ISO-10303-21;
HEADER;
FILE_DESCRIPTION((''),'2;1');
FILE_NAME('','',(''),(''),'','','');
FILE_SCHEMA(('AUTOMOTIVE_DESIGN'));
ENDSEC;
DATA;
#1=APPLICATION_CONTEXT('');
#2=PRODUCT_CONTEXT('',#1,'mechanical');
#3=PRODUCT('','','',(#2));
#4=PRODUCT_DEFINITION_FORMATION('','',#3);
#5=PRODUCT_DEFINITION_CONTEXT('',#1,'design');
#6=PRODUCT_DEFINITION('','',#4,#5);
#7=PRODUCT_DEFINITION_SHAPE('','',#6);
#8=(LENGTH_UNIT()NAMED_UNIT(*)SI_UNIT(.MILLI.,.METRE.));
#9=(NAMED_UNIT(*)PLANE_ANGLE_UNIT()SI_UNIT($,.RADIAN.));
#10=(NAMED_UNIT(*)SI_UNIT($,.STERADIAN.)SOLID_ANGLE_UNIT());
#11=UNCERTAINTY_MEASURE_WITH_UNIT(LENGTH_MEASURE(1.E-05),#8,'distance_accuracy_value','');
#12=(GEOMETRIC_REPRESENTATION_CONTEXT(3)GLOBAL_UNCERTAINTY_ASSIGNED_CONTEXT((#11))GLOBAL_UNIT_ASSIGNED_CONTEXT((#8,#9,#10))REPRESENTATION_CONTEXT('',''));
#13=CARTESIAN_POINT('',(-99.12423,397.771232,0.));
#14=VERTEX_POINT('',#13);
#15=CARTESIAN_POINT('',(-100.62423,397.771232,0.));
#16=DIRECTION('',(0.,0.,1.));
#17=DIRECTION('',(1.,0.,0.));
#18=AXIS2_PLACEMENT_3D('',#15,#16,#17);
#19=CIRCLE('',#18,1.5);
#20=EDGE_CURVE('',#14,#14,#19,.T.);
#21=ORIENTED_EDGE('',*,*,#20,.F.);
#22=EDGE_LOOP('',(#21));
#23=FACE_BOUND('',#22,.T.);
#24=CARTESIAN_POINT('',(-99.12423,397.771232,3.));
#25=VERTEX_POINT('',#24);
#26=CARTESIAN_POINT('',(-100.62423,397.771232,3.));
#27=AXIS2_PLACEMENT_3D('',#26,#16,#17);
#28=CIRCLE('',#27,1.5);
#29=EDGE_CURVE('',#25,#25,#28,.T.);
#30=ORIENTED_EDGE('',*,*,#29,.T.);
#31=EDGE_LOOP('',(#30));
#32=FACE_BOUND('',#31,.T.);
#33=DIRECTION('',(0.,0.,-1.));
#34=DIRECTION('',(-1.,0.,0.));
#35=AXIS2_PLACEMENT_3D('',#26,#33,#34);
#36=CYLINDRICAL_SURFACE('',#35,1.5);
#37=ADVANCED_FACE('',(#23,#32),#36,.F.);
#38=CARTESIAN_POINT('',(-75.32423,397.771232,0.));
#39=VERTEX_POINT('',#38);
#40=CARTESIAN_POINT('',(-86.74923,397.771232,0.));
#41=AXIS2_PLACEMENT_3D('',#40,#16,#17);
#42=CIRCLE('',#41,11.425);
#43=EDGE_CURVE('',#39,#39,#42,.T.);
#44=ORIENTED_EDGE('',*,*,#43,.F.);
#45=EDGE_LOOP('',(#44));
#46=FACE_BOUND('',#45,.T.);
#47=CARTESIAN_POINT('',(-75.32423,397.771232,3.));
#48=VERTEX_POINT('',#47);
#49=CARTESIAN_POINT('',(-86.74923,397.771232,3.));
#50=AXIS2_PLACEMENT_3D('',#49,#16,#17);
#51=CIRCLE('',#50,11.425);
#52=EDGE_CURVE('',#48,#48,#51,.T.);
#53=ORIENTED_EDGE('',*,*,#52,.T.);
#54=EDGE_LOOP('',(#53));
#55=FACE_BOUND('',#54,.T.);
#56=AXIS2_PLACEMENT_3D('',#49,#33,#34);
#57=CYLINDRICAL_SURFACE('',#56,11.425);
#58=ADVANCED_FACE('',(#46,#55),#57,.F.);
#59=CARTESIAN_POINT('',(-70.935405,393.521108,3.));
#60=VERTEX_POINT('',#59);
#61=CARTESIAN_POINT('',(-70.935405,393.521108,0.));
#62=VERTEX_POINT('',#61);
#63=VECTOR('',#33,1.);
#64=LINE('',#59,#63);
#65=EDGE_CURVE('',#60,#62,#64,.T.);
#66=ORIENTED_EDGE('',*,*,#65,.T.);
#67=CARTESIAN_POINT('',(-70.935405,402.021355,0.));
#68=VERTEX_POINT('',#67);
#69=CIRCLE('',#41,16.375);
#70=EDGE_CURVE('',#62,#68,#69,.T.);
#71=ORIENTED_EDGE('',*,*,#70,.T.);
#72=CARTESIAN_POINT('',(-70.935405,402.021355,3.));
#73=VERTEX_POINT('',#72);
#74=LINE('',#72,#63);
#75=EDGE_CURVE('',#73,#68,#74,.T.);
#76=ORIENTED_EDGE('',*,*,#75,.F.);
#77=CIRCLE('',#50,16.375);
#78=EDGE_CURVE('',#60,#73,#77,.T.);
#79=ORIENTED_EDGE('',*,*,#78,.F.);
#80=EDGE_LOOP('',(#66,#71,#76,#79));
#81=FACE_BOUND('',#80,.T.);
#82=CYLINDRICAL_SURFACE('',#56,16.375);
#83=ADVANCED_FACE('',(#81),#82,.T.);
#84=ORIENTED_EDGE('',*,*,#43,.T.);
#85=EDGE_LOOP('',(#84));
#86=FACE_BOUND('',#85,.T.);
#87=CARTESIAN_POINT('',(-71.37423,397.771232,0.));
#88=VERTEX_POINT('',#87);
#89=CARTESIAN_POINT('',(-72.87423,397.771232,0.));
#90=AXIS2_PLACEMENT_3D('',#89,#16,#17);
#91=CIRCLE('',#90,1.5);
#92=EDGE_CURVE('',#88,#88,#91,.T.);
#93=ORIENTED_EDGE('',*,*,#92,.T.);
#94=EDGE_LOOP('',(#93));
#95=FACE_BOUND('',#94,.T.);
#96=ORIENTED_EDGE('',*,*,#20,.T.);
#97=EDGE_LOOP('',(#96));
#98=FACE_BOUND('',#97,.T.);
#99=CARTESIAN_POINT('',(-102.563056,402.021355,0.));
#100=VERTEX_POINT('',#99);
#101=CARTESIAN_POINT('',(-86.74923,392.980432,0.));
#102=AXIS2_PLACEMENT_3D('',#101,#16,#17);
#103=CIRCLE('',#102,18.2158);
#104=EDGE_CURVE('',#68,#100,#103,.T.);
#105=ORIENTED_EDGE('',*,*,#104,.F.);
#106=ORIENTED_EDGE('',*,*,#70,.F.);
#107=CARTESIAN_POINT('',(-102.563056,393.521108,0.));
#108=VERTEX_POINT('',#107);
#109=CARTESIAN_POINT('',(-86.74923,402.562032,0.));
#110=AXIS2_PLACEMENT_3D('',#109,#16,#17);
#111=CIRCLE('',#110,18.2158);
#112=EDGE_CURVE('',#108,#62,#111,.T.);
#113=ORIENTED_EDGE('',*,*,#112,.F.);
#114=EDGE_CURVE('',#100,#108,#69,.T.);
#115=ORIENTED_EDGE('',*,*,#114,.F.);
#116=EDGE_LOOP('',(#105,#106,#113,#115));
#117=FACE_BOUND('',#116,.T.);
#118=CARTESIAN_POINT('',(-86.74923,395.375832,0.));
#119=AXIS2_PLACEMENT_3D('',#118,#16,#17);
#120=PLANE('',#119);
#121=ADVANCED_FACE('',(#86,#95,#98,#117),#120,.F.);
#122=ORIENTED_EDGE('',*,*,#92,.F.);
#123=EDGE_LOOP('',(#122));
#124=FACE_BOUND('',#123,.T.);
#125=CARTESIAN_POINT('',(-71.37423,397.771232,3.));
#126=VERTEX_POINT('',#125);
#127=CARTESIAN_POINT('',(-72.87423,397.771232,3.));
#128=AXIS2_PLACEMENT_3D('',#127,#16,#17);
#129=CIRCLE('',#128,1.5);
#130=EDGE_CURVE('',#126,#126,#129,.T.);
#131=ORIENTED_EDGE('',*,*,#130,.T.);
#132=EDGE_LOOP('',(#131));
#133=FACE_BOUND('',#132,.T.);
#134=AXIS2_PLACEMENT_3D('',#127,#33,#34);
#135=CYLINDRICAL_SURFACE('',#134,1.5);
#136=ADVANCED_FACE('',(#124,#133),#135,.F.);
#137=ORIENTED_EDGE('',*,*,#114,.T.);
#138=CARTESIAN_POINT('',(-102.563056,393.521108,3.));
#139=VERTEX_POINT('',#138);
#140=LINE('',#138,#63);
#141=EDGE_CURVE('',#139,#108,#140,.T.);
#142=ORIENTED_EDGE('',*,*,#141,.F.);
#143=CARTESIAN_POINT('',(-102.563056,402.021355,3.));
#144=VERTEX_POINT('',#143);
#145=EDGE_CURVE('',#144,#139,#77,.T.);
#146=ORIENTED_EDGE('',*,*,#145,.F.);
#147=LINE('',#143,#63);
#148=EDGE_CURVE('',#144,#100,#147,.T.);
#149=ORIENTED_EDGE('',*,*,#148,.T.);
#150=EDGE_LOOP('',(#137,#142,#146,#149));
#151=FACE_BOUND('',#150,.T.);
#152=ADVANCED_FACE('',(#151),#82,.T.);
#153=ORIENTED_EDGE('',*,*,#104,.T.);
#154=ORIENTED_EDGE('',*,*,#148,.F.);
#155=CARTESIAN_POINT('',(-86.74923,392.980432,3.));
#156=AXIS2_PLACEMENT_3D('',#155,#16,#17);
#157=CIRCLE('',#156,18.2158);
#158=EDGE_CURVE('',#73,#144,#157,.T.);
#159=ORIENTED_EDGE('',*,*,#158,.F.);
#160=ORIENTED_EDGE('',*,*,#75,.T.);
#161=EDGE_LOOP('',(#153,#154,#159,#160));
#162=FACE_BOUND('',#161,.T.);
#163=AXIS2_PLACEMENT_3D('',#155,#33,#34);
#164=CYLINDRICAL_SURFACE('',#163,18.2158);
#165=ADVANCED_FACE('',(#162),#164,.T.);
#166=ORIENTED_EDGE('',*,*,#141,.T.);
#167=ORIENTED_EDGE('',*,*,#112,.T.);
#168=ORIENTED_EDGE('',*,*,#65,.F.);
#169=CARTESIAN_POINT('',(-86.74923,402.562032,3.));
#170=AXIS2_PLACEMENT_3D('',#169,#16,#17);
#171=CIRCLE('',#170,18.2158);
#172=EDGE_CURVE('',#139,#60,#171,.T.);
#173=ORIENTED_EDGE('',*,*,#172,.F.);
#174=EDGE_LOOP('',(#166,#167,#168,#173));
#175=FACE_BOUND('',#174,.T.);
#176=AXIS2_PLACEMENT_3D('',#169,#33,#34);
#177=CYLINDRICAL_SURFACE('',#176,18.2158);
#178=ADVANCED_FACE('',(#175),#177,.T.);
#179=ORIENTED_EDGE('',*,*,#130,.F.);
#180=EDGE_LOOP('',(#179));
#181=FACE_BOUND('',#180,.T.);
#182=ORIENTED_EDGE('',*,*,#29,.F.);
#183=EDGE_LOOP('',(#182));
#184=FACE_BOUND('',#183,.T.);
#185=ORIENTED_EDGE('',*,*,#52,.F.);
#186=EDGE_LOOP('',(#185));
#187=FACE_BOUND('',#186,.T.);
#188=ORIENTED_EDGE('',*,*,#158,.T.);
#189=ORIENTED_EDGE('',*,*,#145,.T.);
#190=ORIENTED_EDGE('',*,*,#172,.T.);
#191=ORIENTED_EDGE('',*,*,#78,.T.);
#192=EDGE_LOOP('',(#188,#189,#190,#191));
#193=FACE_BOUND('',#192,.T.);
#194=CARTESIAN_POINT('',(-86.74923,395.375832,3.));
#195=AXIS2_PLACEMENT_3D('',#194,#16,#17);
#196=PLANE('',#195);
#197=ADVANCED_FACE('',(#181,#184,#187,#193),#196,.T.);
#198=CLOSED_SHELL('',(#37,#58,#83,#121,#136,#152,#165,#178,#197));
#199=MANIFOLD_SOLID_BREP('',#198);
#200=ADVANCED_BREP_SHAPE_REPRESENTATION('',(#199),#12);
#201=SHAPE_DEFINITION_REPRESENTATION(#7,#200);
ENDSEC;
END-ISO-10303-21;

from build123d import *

# Parameters (mm, degrees)
MODEL_R             = 1.5
MODEL_R_2           = 11.425
BOSS_EXTRUDE3_DEPTH = 3


with BuildPart() as part:
    # Model → Boss-Extrude3 (new body)
    with BuildSketch(Plane.XY):
        with BuildLine():
            ThreePointArc((-102.563055716, 402.021355304), (-103.124230255, 397.771231861), (-102.563055716, 393.521108418))
            ThreePointArc((-102.563055716, 393.521108418), (-86.749230255, 384.346231861), (-70.935404793, 393.521108418))
            ThreePointArc((-70.935404793, 393.521108418), (-70.374230255, 397.771231861), (-70.935404793, 402.021355304))
            ThreePointArc((-70.935404793, 402.021355304), (-86.749230255, 411.196231861), (-102.563055716, 402.021355304))
        make_face()
        with Locations((-72.874230255, 397.771231861)):
            Circle(MODEL_R, mode=Mode.SUBTRACT)
        with Locations((-100.624230255, 397.771231861)):
            Circle(MODEL_R, mode=Mode.SUBTRACT)
        with Locations((-86.749230255, 397.771231861)):
            Circle(MODEL_R_2, mode=Mode.SUBTRACT)
    extrude(amount=BOSS_EXTRUDE3_DEPTH)


solid = part.part
